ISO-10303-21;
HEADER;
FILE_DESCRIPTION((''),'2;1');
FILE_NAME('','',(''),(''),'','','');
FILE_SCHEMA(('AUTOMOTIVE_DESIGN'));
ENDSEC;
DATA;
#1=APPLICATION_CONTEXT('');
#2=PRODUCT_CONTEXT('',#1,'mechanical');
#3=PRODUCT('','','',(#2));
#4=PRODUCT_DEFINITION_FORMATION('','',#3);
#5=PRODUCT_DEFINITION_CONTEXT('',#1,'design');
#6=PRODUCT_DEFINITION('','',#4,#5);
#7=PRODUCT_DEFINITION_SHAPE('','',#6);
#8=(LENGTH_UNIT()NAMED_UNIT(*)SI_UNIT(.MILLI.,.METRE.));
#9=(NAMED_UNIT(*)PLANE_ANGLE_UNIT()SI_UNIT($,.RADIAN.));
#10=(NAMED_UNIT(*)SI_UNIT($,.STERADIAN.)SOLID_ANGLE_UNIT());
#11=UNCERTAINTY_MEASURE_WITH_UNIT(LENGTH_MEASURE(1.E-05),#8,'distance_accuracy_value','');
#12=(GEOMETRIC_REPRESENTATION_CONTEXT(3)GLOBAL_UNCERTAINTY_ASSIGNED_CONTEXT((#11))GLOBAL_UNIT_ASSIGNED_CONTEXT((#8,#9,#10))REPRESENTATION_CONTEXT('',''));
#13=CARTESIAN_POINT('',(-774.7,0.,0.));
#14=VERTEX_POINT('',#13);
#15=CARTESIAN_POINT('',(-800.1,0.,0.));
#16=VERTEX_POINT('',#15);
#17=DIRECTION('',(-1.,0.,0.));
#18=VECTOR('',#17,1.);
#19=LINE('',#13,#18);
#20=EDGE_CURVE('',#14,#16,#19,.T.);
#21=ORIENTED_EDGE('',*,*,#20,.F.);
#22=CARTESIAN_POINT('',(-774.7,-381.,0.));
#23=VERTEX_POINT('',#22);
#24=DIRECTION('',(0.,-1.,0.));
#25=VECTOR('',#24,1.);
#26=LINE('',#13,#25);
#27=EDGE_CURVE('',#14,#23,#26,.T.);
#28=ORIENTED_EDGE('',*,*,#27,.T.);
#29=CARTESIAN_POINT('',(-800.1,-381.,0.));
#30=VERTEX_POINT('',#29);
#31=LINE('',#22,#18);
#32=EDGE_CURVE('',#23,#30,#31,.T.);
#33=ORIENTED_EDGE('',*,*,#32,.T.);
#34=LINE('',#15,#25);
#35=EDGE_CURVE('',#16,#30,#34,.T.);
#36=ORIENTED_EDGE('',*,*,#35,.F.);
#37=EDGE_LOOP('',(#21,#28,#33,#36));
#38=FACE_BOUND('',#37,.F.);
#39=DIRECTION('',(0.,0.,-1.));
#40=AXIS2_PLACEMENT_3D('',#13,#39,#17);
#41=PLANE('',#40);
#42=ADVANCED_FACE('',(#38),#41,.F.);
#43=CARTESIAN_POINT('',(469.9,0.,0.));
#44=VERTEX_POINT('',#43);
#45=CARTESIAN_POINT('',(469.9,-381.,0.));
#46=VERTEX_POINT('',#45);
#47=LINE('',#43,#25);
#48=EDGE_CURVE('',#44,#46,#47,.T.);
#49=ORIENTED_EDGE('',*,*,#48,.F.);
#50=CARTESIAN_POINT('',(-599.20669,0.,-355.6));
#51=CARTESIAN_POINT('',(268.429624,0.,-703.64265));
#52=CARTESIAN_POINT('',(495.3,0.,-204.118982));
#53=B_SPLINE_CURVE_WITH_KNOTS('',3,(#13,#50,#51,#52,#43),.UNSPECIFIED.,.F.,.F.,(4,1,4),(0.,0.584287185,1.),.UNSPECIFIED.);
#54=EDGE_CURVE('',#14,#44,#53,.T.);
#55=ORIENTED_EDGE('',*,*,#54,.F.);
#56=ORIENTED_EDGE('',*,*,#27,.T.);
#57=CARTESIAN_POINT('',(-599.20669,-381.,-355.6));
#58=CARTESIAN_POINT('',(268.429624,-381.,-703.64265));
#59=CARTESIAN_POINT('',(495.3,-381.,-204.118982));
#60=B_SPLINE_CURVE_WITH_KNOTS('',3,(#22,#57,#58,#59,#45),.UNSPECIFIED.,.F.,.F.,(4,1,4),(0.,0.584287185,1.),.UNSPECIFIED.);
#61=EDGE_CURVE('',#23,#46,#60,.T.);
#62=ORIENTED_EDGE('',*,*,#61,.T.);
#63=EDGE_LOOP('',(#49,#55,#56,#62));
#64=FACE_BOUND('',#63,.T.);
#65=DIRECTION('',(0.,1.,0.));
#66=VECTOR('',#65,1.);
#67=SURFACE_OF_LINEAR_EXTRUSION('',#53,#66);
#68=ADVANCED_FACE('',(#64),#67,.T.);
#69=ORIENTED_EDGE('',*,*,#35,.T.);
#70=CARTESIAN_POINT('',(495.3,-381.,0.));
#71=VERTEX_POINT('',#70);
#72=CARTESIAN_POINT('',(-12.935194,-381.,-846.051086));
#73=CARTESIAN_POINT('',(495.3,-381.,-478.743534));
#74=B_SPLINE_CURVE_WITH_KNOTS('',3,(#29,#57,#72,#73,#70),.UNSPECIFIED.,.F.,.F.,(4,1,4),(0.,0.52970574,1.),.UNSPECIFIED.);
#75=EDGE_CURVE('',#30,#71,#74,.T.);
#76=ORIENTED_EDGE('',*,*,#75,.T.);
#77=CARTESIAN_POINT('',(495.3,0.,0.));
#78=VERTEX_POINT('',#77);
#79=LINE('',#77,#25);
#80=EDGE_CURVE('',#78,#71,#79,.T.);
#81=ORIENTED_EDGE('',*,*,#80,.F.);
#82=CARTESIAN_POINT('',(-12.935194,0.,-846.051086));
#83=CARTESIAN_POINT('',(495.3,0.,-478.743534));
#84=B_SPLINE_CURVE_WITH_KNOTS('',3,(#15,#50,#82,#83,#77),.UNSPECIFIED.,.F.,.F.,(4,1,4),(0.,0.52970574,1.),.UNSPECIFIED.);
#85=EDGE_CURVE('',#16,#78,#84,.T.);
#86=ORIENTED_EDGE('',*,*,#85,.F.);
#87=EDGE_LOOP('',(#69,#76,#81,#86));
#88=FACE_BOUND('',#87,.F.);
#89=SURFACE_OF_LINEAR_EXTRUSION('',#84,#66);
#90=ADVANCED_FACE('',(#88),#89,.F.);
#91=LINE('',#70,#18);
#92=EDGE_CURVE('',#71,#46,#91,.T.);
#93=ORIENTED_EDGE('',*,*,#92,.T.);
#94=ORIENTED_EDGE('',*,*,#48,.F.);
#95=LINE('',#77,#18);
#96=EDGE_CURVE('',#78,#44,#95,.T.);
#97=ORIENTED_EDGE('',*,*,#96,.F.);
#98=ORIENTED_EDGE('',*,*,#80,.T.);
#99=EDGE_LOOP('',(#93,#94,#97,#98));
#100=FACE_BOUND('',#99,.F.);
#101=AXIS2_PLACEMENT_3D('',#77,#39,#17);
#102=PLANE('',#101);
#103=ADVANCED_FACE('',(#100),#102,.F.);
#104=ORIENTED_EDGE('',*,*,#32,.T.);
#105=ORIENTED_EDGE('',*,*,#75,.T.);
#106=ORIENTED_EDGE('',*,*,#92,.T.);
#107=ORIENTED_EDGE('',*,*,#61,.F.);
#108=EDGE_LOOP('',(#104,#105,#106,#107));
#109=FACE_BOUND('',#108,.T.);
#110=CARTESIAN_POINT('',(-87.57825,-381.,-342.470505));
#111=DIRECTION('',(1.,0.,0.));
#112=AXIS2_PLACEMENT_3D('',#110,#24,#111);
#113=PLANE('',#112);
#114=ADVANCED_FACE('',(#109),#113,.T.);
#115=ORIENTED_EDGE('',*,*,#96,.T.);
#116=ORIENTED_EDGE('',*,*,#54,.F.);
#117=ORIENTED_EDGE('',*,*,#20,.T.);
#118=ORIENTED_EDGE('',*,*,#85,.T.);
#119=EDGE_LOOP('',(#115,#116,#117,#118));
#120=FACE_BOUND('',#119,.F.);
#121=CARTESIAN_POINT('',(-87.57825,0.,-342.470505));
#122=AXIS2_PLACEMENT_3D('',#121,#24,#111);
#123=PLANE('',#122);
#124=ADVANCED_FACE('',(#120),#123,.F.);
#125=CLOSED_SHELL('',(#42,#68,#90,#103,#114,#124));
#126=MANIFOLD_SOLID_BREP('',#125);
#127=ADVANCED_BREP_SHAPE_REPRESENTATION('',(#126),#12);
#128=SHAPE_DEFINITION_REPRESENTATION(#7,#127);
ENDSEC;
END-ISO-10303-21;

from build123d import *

# Parameters (mm, degrees)
F1_DEPTH = 381


with BuildPart() as f1:
    # F0 (on Front) → F1 (new body)
    with BuildSketch(Plane.XZ):
        with BuildLine():
            Line((-774.7, 0), (-800.1, 0))
            add(Edge.make_bspline(
                [(-800.1, 0), (-599.2066897164, -355.6), (-288.6553132125, -615.3947553769), (0, -634.5125835957)],
                knots=[0, 0, 0, 0, 0.5297057398, 0.5297057398, 0.5297057398, 0.5297057398], degree=3))
            add(Edge.make_bspline(
                [(0, -634.5125835957), (256.2799055558, -651.4861676111), (495.3, -478.7435343147), (495.3, 0)],
                knots=[0.5297057398, 0.5297057398, 0.5297057398, 0.5297057398, 1, 1, 1, 1], degree=3))
            Line((495.3, 0), (469.9, 0))
            add(Edge.make_bspline(
                [(-774.7, 0), (-599.2066897164, -355.6), (268.4296243676, -703.6426504208), (495.3, -204.1189819574), (469.9, 0)],
                knots=[0, 0, 0, 0, 0.5842871854, 1, 1, 1, 1], degree=3))
        make_face()
    extrude(amount=F1_DEPTH)


solid = f1.part
